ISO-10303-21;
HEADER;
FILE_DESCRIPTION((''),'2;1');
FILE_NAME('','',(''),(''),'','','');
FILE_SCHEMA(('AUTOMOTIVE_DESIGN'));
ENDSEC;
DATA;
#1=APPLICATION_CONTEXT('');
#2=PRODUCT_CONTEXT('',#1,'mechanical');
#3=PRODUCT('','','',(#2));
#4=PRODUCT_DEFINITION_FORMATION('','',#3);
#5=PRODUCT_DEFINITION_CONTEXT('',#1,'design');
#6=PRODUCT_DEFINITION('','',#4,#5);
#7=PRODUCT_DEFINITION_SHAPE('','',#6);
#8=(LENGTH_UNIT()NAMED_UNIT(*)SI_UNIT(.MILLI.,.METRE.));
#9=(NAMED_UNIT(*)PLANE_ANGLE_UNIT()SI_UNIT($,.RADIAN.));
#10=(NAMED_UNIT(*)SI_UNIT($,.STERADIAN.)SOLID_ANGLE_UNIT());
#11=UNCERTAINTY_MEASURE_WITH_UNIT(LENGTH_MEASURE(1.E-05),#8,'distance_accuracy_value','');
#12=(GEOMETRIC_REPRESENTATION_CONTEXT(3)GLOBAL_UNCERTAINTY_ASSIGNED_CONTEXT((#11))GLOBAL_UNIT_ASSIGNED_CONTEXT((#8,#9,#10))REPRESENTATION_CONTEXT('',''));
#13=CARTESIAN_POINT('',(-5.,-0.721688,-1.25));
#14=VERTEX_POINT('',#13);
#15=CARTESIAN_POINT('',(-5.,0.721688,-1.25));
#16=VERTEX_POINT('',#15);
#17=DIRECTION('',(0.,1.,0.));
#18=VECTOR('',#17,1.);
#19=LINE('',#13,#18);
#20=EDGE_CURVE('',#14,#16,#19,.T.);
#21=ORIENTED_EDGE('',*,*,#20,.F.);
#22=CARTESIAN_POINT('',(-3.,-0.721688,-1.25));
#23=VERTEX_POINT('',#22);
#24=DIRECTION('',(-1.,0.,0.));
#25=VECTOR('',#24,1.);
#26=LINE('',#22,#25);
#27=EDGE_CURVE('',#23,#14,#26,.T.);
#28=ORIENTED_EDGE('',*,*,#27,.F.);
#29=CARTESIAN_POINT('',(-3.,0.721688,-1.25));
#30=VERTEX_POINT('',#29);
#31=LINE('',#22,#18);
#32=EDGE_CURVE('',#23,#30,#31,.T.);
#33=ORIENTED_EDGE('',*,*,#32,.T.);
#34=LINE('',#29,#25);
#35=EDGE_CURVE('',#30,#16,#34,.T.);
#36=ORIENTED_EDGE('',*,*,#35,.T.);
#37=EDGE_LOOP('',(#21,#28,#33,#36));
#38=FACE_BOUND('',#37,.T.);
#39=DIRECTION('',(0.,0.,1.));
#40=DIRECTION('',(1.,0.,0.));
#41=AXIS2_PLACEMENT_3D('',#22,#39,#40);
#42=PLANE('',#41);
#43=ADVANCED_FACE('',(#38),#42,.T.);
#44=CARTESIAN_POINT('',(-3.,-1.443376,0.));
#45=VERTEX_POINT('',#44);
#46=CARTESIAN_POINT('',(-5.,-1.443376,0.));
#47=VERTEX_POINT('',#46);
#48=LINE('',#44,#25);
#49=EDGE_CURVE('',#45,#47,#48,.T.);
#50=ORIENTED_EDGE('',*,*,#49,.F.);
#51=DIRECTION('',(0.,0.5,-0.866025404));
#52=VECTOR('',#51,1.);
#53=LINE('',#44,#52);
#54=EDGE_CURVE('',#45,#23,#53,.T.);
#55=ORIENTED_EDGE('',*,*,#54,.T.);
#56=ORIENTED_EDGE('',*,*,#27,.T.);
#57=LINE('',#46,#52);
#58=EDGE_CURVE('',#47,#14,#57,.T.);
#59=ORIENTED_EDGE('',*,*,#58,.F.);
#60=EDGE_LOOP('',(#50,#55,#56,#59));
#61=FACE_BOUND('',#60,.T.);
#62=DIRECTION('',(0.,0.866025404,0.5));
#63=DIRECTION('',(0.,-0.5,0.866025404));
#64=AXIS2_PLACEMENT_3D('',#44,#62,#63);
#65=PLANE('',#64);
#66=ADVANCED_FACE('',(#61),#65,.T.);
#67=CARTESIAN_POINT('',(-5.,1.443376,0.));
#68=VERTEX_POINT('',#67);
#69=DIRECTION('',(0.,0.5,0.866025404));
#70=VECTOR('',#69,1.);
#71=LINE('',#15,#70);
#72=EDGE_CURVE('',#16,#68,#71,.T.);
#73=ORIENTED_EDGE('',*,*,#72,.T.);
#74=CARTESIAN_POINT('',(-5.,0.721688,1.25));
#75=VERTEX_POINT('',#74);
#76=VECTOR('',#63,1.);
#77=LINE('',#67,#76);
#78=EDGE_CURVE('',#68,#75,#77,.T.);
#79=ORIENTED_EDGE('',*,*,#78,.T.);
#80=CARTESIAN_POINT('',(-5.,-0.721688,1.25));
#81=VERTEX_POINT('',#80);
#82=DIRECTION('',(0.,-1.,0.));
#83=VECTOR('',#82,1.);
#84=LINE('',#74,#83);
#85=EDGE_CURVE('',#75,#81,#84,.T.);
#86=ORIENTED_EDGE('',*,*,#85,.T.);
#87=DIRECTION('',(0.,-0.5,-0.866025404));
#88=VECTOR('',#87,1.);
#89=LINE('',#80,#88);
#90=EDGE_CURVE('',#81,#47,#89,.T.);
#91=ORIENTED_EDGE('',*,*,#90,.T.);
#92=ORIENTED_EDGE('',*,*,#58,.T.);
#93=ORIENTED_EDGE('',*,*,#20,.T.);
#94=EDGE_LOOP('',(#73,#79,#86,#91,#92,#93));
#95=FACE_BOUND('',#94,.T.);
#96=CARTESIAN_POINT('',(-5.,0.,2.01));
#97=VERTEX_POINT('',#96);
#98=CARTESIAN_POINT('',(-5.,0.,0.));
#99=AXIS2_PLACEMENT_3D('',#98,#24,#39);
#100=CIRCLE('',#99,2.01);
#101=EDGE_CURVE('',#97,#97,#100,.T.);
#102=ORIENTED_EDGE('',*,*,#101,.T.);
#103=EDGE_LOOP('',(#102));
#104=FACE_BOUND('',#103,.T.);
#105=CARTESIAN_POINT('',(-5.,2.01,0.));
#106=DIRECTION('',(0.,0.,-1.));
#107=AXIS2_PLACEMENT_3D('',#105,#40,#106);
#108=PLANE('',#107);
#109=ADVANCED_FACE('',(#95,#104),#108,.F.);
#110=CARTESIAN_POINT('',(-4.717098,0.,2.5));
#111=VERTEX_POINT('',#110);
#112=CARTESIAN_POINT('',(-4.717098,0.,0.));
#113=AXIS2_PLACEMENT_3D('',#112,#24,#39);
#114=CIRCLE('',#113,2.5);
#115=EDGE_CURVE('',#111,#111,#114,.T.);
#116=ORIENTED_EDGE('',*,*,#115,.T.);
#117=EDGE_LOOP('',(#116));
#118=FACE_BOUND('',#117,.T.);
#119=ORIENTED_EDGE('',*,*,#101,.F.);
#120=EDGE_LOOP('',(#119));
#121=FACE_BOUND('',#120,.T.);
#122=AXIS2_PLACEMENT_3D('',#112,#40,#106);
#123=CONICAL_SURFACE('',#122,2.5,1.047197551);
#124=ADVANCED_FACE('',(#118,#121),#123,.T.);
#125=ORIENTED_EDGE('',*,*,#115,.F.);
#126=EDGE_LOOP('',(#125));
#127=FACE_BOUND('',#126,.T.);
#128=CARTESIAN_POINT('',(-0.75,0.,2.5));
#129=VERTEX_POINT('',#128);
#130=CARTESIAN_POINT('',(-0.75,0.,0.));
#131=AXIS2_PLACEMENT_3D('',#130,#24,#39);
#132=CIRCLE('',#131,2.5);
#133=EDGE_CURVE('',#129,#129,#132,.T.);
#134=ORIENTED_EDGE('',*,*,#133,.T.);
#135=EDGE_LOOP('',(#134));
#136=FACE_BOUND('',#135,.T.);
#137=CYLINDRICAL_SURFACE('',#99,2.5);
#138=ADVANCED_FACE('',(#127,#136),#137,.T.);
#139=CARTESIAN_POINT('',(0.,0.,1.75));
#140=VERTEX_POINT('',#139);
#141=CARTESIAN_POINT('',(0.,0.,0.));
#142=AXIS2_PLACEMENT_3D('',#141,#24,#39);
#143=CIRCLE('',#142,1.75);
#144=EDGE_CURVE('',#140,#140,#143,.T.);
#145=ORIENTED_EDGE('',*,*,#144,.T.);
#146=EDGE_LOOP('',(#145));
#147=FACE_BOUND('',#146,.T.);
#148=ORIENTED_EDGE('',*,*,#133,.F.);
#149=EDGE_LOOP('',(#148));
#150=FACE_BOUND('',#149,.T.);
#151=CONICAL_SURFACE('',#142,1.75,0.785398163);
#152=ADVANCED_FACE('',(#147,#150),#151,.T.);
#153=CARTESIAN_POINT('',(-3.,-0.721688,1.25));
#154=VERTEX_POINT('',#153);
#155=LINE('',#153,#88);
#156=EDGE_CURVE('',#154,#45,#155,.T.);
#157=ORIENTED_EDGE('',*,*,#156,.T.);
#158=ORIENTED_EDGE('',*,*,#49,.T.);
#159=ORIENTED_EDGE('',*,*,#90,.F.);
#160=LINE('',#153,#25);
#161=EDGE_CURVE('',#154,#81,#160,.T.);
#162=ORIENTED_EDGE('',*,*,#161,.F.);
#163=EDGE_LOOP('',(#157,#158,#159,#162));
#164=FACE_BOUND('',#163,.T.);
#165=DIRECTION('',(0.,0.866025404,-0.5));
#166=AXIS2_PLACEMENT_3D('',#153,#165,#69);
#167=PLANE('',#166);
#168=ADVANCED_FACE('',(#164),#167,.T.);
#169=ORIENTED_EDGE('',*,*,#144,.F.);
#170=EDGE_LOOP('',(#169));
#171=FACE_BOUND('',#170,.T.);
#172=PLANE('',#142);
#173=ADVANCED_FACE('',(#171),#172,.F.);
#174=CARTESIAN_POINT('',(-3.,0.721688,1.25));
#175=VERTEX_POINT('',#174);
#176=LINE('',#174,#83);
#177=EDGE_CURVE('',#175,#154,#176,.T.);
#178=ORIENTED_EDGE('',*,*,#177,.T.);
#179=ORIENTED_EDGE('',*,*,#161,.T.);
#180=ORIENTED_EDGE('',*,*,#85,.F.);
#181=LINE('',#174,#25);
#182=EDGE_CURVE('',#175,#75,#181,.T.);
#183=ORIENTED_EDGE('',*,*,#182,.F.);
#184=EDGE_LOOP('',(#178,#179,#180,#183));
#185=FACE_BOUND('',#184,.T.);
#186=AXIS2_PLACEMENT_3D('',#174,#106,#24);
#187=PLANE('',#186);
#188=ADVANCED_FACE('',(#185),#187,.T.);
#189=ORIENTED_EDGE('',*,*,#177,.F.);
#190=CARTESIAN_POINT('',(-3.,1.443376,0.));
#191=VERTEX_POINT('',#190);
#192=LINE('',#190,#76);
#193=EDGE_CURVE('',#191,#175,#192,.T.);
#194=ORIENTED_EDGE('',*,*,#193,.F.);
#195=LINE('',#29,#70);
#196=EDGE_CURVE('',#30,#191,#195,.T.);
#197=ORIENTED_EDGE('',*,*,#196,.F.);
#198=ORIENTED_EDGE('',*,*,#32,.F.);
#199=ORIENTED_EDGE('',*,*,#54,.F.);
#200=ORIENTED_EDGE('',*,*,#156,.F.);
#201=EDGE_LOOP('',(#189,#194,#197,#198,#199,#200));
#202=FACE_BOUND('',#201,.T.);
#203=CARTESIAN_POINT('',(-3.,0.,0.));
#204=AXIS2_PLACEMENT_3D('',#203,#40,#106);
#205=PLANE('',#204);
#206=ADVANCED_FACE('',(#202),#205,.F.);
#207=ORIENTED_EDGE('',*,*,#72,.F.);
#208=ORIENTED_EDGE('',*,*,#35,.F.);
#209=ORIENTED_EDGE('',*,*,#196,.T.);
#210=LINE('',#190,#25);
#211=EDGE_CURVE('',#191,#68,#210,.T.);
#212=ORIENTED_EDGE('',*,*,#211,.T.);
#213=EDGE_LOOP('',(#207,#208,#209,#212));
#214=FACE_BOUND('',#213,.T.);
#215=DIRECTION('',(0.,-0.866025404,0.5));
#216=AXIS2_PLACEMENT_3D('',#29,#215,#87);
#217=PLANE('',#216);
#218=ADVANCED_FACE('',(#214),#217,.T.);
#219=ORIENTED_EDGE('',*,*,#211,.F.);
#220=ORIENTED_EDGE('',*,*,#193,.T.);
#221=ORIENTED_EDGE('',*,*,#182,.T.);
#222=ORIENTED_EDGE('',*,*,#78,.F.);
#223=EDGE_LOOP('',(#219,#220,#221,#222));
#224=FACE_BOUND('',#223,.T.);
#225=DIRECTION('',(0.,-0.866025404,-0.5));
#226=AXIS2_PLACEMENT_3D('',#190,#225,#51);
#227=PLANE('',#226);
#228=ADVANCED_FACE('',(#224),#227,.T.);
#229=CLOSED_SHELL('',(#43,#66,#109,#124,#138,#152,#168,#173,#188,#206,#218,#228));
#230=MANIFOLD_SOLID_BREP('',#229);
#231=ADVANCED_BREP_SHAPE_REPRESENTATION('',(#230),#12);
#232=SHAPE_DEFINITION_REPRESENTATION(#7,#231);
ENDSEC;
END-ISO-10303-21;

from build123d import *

# Parameters (mm, degrees)
CUT_EXTRUDE1_DEPTH = 2


with BuildPart() as part:
    # Sketch1 → Revolve1 (revolve)
    with BuildSketch(Plane.XY, mode=Mode.PRIVATE) as revolve1_sk:
        Polygon((0, 0), (0, 1.75), (-0.75, 2.5), (-4.717098368, 2.5), (-5, 2.01), (-5, 0), align=None)
    revolve(revolve1_sk.sketch.rotate(Axis((-5, 0, 0), (1, 0, 0)), 90), axis=Axis((-5, 0, 0), (1, 0, 0)))

    # Sketch2 → Cut-Extrude1 (cut)
    with BuildSketch(Plane(origin=(-5, 0, 0), x_dir=(0, 0, -1), z_dir=(1, 0, 0))):
        Polygon((1.25, -0.721687836), (1.25, 0.721687836), (0, 1.443375673), (-1.25, 0.721687836), (-1.25, -0.721687836), (0, -1.443375673), align=None)
    extrude(amount=CUT_EXTRUDE1_DEPTH, mode=Mode.SUBTRACT)


solid = part.part
